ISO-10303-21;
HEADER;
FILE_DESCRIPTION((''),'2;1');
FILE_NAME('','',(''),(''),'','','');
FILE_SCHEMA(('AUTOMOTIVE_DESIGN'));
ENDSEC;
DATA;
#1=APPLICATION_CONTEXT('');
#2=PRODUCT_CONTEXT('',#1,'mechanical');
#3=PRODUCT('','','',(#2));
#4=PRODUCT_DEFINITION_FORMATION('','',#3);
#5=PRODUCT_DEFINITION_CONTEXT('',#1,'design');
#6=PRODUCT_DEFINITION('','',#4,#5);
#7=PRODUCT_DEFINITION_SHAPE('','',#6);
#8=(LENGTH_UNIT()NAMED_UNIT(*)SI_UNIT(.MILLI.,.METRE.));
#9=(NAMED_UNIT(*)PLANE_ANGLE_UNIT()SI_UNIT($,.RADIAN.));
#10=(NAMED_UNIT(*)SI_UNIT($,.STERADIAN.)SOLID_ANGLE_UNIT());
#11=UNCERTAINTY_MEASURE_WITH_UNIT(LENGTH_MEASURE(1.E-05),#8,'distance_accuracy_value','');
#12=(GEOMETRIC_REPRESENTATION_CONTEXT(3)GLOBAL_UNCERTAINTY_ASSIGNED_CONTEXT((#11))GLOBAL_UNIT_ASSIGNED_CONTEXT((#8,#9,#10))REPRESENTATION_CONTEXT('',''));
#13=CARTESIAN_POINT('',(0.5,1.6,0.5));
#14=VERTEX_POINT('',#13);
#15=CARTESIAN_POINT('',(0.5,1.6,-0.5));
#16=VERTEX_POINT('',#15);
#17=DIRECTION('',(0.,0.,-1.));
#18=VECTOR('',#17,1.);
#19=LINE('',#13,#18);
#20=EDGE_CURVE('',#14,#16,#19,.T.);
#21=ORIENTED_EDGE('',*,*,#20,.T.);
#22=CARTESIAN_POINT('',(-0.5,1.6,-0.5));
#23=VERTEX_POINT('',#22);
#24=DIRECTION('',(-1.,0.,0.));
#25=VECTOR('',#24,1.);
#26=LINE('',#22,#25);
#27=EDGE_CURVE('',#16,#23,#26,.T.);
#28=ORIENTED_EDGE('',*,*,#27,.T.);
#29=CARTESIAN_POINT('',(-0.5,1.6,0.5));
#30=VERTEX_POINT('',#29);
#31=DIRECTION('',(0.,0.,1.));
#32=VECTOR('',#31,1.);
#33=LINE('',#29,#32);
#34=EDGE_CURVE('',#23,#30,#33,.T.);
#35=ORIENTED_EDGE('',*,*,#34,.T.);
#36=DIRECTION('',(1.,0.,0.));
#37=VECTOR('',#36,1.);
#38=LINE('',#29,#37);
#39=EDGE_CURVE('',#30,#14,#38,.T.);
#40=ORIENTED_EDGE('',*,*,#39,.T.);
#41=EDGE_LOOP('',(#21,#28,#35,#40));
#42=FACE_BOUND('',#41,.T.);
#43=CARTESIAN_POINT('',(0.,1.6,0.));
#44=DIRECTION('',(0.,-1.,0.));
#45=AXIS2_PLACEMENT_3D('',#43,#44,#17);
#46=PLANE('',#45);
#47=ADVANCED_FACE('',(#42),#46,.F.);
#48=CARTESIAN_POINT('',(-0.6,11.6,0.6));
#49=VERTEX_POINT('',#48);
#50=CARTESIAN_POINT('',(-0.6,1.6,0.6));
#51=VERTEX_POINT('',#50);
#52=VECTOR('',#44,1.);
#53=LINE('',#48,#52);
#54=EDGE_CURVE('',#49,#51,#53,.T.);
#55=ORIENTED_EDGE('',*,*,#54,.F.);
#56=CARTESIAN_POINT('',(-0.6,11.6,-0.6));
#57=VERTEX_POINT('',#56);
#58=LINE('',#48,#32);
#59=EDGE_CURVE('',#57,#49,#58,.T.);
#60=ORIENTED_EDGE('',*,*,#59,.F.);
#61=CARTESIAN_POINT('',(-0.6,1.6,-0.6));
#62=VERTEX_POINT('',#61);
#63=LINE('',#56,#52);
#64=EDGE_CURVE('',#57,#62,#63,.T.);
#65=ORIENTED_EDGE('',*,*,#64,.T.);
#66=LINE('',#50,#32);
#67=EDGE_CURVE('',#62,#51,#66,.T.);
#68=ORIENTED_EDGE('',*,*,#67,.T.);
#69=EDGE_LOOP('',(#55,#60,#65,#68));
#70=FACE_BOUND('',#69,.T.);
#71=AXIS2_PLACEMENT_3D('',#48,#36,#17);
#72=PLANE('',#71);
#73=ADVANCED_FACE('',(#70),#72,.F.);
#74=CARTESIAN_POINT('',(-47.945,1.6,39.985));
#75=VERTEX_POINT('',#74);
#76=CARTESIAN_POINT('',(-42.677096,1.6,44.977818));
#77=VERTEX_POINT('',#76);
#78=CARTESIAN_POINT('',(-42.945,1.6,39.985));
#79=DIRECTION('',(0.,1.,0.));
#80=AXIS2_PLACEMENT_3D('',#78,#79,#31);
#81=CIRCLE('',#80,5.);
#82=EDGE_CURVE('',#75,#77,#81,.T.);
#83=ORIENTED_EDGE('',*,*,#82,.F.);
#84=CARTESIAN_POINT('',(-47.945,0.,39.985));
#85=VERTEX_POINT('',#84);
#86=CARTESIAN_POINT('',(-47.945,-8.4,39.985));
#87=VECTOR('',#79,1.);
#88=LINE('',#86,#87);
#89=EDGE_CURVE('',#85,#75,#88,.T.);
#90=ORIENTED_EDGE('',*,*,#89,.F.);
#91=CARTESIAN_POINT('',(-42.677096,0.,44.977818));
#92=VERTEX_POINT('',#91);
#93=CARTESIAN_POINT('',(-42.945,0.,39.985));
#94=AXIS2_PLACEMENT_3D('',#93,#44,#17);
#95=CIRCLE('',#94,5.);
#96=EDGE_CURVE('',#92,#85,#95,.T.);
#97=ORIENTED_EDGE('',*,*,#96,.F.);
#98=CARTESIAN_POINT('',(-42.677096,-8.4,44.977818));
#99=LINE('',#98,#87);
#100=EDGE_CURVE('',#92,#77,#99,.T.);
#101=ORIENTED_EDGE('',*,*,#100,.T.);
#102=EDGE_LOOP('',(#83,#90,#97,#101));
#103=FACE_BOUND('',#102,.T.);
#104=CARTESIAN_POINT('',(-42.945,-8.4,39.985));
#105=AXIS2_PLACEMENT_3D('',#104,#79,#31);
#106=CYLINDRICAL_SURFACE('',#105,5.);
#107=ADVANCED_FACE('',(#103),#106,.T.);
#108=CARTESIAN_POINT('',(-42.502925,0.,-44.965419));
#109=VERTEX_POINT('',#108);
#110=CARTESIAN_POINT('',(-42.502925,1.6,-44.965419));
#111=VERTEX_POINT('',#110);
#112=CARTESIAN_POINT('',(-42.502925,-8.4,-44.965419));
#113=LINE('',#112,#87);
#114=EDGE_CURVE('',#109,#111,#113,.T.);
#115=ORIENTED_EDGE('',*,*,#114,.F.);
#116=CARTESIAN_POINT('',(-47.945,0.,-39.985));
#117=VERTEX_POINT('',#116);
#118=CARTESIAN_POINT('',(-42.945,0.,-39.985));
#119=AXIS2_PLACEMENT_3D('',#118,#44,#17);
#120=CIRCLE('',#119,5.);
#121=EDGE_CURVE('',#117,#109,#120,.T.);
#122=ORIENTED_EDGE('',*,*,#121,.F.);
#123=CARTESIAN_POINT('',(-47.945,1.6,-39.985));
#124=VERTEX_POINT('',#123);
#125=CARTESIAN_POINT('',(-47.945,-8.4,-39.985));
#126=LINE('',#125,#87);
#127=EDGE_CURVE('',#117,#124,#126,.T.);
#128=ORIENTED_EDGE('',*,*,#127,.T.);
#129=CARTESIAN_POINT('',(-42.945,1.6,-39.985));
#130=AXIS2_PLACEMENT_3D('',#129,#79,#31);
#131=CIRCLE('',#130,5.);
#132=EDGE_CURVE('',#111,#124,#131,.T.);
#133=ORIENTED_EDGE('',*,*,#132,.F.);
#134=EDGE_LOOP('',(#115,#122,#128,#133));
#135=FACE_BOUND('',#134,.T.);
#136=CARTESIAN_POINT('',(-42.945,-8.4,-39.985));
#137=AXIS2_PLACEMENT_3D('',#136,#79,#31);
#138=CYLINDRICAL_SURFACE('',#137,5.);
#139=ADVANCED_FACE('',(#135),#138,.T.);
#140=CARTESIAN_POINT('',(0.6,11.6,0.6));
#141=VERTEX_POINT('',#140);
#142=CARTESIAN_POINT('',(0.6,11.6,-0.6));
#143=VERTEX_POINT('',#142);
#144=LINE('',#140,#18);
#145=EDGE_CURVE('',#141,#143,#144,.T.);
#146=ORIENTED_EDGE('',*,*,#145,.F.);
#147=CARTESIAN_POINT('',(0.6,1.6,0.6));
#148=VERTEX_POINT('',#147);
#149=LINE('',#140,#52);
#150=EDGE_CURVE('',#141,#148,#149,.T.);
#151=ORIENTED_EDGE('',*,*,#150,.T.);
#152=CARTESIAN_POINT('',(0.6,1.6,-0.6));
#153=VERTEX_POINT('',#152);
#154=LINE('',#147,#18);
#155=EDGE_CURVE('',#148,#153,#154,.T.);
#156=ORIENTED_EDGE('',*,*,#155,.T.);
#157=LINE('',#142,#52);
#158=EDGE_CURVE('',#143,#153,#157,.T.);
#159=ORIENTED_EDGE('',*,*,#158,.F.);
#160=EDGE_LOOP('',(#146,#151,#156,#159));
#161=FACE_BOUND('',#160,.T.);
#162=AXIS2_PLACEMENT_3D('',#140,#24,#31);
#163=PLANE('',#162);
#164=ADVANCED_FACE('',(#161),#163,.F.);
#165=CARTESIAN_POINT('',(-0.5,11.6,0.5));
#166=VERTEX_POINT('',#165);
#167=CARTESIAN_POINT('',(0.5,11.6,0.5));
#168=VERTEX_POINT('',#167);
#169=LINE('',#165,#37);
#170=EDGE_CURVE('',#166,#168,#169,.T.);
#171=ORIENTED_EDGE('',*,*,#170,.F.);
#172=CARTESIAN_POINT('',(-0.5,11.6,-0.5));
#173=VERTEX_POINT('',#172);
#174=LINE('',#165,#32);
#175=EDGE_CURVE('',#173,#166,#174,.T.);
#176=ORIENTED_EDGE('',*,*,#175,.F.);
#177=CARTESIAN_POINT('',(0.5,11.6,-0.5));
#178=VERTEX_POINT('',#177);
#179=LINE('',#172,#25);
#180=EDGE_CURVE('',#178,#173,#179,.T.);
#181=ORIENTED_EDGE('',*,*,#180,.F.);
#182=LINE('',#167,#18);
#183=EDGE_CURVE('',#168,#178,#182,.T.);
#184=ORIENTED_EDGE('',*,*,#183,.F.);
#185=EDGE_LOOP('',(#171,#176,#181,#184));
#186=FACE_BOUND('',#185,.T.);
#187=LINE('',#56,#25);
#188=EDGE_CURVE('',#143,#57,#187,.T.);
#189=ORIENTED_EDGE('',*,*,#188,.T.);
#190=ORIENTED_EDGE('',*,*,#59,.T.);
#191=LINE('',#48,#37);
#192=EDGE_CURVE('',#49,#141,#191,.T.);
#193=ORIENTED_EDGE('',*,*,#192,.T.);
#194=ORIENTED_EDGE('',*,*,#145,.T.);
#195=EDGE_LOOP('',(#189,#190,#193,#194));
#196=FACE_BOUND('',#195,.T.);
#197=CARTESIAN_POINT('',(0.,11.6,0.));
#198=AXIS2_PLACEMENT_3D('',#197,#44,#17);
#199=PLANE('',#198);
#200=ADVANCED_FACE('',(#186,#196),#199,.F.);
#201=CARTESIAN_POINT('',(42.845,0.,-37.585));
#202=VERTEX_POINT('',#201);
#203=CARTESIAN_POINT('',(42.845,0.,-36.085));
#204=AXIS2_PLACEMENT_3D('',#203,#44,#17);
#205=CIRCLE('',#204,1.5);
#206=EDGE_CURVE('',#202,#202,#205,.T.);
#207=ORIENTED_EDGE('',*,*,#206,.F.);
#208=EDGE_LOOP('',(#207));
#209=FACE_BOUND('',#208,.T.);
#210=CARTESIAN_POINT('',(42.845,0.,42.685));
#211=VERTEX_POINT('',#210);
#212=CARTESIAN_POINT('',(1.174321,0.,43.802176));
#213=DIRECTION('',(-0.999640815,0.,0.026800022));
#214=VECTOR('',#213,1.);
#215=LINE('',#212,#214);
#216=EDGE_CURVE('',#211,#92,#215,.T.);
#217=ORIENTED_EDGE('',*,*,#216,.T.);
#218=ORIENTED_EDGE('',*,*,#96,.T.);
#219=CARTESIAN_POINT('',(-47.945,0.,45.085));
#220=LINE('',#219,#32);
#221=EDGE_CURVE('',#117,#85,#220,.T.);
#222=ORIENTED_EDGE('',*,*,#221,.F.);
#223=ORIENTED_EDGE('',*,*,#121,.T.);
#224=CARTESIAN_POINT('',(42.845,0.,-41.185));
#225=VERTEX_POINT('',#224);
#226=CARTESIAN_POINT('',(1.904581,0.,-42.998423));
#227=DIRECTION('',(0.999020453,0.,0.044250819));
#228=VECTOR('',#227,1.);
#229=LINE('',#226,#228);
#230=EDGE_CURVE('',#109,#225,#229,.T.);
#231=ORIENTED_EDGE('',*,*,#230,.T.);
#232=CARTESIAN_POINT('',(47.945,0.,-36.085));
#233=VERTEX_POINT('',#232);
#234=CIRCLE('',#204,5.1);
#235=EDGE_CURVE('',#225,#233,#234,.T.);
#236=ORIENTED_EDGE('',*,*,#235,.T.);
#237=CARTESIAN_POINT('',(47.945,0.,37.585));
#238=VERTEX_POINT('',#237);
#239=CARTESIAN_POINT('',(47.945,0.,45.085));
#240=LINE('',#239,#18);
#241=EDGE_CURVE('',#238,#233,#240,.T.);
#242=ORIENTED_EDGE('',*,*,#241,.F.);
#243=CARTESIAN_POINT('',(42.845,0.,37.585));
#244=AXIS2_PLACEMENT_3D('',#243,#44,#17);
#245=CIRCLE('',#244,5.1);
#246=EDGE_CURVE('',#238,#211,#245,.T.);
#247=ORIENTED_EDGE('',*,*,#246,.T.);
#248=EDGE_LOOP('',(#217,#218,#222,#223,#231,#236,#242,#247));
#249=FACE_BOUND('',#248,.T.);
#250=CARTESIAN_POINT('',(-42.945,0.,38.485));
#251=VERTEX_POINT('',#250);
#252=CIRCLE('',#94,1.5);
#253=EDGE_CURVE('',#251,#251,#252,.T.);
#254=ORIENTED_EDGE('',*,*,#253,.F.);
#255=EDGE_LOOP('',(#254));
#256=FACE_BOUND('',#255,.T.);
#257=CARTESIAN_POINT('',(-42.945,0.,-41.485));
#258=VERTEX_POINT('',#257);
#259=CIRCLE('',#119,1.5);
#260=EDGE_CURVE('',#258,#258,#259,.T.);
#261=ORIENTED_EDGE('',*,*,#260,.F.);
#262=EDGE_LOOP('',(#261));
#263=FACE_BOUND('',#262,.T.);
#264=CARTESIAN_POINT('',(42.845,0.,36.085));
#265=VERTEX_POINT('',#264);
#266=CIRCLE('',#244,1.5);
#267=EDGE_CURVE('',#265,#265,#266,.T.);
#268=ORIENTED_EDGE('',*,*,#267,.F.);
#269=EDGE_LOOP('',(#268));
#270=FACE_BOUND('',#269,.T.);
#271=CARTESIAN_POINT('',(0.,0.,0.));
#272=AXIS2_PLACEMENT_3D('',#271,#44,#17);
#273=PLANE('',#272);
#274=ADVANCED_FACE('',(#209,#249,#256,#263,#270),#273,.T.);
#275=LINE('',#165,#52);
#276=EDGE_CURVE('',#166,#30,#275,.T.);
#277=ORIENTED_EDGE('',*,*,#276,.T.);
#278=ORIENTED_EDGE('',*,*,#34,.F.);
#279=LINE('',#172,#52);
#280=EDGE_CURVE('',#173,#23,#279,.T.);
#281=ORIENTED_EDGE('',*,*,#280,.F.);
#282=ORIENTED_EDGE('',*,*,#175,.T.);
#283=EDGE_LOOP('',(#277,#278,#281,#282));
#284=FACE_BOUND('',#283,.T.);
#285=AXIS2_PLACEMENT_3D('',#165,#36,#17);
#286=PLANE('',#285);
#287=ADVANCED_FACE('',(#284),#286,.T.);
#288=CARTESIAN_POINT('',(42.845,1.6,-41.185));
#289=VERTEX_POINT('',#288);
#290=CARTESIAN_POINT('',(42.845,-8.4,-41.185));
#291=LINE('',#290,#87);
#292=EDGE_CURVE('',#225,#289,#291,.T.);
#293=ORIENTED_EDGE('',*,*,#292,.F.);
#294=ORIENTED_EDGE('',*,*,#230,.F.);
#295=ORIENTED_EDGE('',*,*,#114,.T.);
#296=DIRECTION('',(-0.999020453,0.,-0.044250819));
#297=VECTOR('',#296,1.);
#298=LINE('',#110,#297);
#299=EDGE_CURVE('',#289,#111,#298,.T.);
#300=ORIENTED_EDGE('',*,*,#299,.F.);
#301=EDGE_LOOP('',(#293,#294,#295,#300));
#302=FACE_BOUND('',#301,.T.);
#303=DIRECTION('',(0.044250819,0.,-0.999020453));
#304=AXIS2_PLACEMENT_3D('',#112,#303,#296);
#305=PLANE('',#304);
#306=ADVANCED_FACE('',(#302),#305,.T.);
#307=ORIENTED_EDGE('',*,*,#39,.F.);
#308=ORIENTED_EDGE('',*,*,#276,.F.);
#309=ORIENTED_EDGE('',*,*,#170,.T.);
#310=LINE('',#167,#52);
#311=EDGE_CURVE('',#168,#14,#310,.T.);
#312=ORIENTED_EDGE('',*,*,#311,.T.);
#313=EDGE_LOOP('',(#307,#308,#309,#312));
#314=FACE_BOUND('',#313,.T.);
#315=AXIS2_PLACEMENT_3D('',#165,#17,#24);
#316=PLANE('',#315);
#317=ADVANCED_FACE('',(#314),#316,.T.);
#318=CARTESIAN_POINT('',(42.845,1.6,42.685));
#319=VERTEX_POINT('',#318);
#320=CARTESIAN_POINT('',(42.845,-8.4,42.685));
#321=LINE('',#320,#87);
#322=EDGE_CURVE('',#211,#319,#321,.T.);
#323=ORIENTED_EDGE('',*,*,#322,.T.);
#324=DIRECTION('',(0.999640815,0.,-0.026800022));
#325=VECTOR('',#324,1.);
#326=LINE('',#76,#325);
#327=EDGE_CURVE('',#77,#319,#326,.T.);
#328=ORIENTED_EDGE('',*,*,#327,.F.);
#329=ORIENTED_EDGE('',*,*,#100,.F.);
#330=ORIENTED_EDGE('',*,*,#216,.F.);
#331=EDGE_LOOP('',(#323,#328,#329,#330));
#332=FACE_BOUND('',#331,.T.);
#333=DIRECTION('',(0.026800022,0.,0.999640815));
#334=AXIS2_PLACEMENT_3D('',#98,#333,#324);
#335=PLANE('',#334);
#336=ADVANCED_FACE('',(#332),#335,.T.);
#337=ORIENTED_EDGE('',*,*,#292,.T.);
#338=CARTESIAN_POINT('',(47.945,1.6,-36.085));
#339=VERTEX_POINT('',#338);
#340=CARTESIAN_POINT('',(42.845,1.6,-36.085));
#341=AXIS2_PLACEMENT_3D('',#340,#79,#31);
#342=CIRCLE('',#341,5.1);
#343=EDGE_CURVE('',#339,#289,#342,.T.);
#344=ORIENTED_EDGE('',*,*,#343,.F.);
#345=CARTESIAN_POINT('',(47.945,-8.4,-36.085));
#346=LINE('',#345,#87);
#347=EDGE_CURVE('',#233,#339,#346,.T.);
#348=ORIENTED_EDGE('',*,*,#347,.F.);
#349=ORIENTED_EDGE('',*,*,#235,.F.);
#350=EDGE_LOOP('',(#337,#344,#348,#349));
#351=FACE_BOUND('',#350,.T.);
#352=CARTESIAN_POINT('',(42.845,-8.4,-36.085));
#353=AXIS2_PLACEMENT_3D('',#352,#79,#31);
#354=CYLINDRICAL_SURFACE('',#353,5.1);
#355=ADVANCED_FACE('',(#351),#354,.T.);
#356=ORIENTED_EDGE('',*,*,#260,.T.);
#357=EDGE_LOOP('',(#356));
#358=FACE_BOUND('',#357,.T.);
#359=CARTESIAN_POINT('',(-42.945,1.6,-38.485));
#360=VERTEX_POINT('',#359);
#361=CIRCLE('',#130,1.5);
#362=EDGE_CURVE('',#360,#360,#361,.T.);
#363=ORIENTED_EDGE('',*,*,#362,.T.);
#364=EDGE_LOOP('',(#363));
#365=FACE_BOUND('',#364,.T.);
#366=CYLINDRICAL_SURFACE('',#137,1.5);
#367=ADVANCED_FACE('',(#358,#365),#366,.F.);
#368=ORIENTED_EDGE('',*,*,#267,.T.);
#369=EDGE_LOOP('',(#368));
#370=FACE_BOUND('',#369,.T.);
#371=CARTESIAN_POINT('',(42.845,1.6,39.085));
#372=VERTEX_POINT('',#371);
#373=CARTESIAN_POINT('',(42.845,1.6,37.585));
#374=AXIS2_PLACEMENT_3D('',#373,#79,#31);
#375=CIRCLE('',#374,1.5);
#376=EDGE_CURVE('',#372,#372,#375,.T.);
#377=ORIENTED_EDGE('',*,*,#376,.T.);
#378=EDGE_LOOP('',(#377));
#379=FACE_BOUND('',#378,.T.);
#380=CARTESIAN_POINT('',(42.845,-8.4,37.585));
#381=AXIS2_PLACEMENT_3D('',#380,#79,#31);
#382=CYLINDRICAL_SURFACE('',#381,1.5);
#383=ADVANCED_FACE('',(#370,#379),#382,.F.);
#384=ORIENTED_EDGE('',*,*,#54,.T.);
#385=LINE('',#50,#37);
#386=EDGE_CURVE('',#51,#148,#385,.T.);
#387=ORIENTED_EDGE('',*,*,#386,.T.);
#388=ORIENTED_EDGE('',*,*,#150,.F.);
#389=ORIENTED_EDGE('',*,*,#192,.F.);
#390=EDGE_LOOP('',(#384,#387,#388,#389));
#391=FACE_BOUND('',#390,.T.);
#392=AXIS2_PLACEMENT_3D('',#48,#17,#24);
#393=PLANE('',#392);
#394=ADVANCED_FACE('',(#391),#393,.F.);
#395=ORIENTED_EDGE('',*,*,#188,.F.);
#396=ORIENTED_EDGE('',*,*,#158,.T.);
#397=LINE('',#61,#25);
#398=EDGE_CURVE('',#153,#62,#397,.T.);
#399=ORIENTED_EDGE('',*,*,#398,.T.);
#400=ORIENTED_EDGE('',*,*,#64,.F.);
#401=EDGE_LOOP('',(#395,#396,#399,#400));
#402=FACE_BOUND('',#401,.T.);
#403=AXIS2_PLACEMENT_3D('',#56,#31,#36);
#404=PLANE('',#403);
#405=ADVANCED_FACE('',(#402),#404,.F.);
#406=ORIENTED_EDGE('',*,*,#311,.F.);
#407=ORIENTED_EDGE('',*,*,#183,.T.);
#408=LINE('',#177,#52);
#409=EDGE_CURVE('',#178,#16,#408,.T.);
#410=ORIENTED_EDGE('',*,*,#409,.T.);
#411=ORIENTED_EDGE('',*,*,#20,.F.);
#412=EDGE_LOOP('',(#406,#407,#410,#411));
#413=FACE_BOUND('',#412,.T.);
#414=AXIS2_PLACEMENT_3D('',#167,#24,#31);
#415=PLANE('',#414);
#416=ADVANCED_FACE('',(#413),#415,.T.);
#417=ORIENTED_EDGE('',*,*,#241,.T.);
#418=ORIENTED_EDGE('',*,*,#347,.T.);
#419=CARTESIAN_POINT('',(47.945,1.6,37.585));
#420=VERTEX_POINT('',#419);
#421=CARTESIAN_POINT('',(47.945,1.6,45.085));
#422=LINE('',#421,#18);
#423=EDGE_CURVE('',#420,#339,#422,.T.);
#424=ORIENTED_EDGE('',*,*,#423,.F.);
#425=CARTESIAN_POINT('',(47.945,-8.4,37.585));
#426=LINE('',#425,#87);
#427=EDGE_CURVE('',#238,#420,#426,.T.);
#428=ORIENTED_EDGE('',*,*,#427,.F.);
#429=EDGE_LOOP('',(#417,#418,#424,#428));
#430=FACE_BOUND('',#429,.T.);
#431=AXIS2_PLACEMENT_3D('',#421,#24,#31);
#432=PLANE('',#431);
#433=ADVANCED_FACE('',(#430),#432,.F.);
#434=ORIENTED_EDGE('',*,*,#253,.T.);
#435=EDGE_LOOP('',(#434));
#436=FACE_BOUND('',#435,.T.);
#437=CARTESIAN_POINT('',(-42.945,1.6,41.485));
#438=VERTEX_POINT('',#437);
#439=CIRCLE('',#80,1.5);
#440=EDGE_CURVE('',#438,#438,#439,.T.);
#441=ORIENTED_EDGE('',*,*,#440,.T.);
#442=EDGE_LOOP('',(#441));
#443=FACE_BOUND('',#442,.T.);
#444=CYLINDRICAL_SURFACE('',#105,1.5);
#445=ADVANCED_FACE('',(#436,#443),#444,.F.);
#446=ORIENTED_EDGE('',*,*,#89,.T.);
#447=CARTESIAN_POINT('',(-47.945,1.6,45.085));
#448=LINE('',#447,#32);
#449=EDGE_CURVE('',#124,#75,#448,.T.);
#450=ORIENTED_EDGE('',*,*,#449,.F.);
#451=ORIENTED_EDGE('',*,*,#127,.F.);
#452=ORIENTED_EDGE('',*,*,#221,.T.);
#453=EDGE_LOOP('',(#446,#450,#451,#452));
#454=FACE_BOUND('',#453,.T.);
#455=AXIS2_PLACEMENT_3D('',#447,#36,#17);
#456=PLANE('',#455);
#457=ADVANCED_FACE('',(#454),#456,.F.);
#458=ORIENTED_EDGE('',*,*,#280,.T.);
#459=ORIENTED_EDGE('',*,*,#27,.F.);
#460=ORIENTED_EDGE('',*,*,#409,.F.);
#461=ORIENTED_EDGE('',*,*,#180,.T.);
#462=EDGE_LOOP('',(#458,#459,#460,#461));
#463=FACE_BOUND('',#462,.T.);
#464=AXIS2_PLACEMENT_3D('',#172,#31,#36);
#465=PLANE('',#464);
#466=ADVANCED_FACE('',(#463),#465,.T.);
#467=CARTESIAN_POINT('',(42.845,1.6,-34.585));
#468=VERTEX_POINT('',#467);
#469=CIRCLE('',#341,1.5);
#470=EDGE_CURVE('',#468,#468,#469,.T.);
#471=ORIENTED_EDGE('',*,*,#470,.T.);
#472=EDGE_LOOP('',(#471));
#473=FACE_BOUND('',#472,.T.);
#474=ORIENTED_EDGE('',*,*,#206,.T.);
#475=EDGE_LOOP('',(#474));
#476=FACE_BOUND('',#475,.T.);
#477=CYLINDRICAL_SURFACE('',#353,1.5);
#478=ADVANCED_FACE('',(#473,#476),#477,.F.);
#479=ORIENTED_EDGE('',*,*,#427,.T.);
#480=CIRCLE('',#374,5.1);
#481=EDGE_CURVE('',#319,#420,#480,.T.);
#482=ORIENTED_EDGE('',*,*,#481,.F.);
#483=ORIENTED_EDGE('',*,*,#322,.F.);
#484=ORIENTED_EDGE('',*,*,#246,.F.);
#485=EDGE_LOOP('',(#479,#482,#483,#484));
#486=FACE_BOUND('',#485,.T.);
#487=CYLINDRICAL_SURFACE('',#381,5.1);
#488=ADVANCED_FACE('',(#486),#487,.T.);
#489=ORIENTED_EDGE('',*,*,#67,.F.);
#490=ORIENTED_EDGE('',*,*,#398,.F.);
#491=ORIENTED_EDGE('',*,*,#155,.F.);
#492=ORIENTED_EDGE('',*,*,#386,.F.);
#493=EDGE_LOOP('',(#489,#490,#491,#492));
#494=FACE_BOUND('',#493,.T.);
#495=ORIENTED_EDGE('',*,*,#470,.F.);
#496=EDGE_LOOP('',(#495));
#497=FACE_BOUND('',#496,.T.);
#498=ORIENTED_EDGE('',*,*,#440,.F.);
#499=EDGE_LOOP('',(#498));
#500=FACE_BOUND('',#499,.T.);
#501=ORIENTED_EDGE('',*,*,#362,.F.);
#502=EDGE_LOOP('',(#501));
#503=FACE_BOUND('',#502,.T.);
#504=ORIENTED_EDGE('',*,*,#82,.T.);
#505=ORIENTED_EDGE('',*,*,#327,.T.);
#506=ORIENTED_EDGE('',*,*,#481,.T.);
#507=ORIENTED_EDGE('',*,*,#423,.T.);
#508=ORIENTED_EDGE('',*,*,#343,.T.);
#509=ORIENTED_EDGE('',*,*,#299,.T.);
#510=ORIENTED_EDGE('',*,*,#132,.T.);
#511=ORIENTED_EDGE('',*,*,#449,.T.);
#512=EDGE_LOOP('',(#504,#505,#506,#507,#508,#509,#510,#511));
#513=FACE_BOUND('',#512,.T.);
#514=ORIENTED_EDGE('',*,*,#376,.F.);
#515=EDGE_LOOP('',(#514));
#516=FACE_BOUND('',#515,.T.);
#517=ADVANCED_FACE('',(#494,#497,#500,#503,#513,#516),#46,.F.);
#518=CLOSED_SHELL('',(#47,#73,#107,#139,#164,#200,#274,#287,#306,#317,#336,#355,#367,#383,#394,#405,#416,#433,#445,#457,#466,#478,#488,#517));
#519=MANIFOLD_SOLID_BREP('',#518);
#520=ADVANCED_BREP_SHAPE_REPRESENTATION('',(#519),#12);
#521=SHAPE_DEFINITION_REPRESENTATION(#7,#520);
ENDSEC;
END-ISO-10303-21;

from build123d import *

# Parameters (mm, degrees)
SKETCH1_W              = 95.89
SKETCH1_H              = 90.17
SUBSTRATE_DEPTH        = 1.6
SKETCH2_R              = 1.5
CUT_EXTRUDE2_DEPTH     = 10
SKETCH3_W              = 1.2
SKETCH3_H              = 1.2
SKETCH3_W_2            = 1
SKETCH3_H_2            = 1
CENTRE_ALIGNMENT_DEPTH = 10
SKETCH4_OUTSIDE_W      = 124.318
SKETCH4_OUTSIDE_H      = 118.598
CUT_EXTRUDE3_DEPTH     = 10


with BuildPart() as part:
    # Sketch1 → Substrate (new body)
    with BuildSketch(Plane(origin=(0, 0, 0), x_dir=(1, 0, 0), z_dir=(0, 1, 0))):
        Rectangle(SKETCH1_W, SKETCH1_H)
    extrude(amount=SUBSTRATE_DEPTH)

    # Sketch2 → Cut-Extrude2 (cut)
    with BuildSketch(Plane(origin=(0, 1.6, 0), x_dir=(1, 0, 0), z_dir=(0, 1, 0))):
        with Locations(Location((42.845, 36.085, 0), (0, 0, 270))):
            Circle(SKETCH2_R)
        with Locations(Location((42.845, -37.585, 0), (0, 0, 270))):
            Circle(SKETCH2_R)
        with Locations(Location((-42.945, -39.985, 0), (0, 0, 270))):
            Circle(SKETCH2_R)
        with Locations(Location((-42.945, 39.985, 0), (0, 0, 270))):
            Circle(SKETCH2_R)
    extrude(amount=-CUT_EXTRUDE2_DEPTH, mode=Mode.SUBTRACT)

    # Sketch3 → Centre Alignment (add)
    with BuildSketch(Plane(origin=(0, 1.6, 0), x_dir=(1, 0, 0), z_dir=(0, 1, 0))):
        Rectangle(SKETCH3_W, SKETCH3_H)
        Rectangle(SKETCH3_W_2, SKETCH3_H_2, mode=Mode.SUBTRACT)
    extrude(amount=CENTRE_ALIGNMENT_DEPTH)

    # Sketch4 outside → Cut-Extrude3 (cut)
    with BuildSketch(Plane(origin=(0, 1.6, 0), x_dir=(1, 0, 0), z_dir=(0, 1, 0))):
        Rectangle(SKETCH4_OUTSIDE_W, SKETCH4_OUTSIDE_H)
        with BuildLine():
            Line((-42.677096043, -44.977817588), (42.845, -42.685))
            ThreePointArc((42.845, -42.685), (46.451244584, -41.191244584), (47.945, -37.585))
            Line((47.945, -37.585), (47.945, 36.085))
            ThreePointArc((47.945, 36.085), (46.451244584, 39.691244584), (42.845, 41.185))
            Line((42.845, 41.185), (-42.502925272, 44.965418651))
            ThreePointArc((-42.502925272, 44.965418651), (-46.320620414, 43.673520953), (-47.945, 39.985))
            Line((-47.945, 39.985), (-47.945, -39.985))
            ThreePointArc((-47.945, -39.985), (-46.384511609, -43.614016381), (-42.677096043, -44.977817588))
        make_face(mode=Mode.SUBTRACT)
    extrude(amount=-CUT_EXTRUDE3_DEPTH, mode=Mode.SUBTRACT)


solid = part.part
